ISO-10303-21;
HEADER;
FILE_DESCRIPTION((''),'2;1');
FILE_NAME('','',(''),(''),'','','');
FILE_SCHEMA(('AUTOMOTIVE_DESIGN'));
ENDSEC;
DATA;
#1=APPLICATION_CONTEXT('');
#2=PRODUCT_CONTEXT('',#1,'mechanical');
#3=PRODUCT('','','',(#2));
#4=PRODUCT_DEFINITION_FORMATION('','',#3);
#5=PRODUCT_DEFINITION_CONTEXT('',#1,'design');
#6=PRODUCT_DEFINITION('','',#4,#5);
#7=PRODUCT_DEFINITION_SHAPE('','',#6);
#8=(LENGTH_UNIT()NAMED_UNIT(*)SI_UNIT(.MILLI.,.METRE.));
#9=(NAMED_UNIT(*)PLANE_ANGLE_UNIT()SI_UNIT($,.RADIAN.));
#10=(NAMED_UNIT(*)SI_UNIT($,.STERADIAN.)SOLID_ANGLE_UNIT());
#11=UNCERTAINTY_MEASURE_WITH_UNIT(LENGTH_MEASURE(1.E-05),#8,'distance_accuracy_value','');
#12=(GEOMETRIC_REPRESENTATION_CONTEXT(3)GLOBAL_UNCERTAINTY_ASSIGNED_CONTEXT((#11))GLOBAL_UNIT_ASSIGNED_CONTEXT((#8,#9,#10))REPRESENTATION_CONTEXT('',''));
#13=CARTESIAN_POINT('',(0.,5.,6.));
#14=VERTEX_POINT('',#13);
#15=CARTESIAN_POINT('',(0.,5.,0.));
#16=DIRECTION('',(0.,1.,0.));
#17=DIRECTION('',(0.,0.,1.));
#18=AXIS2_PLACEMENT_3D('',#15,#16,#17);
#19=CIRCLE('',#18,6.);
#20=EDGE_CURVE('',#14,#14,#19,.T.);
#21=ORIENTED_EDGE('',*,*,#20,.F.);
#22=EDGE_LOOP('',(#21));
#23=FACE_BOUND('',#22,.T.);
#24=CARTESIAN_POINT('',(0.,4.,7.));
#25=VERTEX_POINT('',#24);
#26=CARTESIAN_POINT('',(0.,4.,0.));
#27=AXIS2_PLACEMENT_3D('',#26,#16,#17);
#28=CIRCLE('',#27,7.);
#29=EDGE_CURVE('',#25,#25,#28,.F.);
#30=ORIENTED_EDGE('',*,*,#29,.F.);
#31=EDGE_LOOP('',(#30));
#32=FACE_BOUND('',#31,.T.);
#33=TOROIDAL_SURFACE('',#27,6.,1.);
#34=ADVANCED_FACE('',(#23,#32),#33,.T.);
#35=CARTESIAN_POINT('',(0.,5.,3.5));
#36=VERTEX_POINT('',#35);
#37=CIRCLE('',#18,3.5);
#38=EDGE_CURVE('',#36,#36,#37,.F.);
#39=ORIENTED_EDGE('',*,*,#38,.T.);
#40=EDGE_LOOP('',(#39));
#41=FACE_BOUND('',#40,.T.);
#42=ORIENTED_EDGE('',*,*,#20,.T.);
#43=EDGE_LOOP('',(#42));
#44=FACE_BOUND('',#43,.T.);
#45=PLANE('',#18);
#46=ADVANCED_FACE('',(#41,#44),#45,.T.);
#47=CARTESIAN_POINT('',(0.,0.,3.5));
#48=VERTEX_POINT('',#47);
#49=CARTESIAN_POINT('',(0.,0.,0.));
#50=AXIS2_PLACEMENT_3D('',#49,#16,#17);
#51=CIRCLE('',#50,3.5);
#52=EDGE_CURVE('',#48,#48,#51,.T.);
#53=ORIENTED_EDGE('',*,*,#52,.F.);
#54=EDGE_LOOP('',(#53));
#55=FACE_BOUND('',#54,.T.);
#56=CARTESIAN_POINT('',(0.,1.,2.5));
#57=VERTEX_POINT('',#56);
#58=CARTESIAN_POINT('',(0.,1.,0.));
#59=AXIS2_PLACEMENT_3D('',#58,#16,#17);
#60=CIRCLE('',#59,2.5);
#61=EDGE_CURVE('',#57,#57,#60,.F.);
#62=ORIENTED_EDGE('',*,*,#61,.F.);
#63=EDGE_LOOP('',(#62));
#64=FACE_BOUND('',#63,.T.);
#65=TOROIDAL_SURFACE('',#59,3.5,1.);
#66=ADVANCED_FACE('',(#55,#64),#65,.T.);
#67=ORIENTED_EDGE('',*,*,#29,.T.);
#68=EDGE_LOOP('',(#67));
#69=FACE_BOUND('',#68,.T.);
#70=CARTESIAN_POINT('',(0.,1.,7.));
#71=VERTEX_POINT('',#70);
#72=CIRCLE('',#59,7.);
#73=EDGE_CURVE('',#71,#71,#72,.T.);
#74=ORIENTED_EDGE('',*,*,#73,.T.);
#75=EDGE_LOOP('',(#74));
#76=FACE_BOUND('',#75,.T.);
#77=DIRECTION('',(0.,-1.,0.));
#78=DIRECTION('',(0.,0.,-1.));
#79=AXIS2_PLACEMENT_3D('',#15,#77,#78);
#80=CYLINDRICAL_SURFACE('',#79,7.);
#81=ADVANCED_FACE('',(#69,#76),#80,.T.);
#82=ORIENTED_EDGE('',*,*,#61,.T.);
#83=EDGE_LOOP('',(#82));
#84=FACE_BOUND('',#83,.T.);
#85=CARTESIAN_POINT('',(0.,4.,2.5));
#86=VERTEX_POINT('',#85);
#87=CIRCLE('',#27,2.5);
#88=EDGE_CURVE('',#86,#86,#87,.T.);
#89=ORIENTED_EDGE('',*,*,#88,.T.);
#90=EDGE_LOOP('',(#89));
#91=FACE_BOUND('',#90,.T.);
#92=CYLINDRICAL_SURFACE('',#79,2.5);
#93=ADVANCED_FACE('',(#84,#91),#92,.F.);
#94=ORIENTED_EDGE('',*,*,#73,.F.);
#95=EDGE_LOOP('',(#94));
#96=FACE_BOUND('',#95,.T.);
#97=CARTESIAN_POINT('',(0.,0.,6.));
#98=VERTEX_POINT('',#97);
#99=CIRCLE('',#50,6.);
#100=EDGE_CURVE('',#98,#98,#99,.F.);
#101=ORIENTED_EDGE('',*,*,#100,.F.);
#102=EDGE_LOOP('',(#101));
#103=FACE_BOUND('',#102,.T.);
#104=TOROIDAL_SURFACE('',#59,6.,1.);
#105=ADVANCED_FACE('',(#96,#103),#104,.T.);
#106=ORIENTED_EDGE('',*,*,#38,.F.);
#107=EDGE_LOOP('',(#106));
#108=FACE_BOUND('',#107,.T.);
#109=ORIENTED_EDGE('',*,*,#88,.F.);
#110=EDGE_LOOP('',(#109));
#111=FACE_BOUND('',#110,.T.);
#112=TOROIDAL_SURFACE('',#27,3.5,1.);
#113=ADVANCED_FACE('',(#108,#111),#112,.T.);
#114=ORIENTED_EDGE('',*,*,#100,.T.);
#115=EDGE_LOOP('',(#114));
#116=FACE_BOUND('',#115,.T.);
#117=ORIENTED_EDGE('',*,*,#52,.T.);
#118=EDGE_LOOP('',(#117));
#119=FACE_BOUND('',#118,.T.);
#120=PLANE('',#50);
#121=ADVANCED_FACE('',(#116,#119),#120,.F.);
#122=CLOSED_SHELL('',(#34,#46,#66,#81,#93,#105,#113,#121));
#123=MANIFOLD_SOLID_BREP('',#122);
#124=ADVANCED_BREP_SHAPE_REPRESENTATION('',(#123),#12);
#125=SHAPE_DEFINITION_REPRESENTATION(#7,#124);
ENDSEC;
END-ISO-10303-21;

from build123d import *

# Parameters (mm, degrees)
SKETCH1_R           = 7
SKETCH1_R_2         = 2.5
BOSS_EXTRUDE1_DEPTH = 5
FILLET1_R           = 1
FILLET2_R           = 1


with BuildPart() as part:
    # Sketch1 → Boss-Extrude1 (new body)
    with BuildSketch(Plane(origin=(0, 0, 0), x_dir=(1, 0, 0), z_dir=(0, 1, 0))):
        Circle(SKETCH1_R)
        Circle(SKETCH1_R_2, mode=Mode.SUBTRACT)
    extrude(amount=BOSS_EXTRUDE1_DEPTH)

    # Fillet1
    fillet1_edges = [part.edges().sort_by_distance(p)[0] for p in [
        (-7, 0, 0),
        (-7, 5, 0),
    ]]
    fillet(fillet1_edges, radius=FILLET1_R)

    # Fillet2
    fillet2_edges = [part.edges().sort_by_distance(p)[0] for p in [
        (-2.5, 0, 0),
        (-2.5, 5, 0),
    ]]
    fillet(fillet2_edges, radius=FILLET2_R)


solid = part.part
